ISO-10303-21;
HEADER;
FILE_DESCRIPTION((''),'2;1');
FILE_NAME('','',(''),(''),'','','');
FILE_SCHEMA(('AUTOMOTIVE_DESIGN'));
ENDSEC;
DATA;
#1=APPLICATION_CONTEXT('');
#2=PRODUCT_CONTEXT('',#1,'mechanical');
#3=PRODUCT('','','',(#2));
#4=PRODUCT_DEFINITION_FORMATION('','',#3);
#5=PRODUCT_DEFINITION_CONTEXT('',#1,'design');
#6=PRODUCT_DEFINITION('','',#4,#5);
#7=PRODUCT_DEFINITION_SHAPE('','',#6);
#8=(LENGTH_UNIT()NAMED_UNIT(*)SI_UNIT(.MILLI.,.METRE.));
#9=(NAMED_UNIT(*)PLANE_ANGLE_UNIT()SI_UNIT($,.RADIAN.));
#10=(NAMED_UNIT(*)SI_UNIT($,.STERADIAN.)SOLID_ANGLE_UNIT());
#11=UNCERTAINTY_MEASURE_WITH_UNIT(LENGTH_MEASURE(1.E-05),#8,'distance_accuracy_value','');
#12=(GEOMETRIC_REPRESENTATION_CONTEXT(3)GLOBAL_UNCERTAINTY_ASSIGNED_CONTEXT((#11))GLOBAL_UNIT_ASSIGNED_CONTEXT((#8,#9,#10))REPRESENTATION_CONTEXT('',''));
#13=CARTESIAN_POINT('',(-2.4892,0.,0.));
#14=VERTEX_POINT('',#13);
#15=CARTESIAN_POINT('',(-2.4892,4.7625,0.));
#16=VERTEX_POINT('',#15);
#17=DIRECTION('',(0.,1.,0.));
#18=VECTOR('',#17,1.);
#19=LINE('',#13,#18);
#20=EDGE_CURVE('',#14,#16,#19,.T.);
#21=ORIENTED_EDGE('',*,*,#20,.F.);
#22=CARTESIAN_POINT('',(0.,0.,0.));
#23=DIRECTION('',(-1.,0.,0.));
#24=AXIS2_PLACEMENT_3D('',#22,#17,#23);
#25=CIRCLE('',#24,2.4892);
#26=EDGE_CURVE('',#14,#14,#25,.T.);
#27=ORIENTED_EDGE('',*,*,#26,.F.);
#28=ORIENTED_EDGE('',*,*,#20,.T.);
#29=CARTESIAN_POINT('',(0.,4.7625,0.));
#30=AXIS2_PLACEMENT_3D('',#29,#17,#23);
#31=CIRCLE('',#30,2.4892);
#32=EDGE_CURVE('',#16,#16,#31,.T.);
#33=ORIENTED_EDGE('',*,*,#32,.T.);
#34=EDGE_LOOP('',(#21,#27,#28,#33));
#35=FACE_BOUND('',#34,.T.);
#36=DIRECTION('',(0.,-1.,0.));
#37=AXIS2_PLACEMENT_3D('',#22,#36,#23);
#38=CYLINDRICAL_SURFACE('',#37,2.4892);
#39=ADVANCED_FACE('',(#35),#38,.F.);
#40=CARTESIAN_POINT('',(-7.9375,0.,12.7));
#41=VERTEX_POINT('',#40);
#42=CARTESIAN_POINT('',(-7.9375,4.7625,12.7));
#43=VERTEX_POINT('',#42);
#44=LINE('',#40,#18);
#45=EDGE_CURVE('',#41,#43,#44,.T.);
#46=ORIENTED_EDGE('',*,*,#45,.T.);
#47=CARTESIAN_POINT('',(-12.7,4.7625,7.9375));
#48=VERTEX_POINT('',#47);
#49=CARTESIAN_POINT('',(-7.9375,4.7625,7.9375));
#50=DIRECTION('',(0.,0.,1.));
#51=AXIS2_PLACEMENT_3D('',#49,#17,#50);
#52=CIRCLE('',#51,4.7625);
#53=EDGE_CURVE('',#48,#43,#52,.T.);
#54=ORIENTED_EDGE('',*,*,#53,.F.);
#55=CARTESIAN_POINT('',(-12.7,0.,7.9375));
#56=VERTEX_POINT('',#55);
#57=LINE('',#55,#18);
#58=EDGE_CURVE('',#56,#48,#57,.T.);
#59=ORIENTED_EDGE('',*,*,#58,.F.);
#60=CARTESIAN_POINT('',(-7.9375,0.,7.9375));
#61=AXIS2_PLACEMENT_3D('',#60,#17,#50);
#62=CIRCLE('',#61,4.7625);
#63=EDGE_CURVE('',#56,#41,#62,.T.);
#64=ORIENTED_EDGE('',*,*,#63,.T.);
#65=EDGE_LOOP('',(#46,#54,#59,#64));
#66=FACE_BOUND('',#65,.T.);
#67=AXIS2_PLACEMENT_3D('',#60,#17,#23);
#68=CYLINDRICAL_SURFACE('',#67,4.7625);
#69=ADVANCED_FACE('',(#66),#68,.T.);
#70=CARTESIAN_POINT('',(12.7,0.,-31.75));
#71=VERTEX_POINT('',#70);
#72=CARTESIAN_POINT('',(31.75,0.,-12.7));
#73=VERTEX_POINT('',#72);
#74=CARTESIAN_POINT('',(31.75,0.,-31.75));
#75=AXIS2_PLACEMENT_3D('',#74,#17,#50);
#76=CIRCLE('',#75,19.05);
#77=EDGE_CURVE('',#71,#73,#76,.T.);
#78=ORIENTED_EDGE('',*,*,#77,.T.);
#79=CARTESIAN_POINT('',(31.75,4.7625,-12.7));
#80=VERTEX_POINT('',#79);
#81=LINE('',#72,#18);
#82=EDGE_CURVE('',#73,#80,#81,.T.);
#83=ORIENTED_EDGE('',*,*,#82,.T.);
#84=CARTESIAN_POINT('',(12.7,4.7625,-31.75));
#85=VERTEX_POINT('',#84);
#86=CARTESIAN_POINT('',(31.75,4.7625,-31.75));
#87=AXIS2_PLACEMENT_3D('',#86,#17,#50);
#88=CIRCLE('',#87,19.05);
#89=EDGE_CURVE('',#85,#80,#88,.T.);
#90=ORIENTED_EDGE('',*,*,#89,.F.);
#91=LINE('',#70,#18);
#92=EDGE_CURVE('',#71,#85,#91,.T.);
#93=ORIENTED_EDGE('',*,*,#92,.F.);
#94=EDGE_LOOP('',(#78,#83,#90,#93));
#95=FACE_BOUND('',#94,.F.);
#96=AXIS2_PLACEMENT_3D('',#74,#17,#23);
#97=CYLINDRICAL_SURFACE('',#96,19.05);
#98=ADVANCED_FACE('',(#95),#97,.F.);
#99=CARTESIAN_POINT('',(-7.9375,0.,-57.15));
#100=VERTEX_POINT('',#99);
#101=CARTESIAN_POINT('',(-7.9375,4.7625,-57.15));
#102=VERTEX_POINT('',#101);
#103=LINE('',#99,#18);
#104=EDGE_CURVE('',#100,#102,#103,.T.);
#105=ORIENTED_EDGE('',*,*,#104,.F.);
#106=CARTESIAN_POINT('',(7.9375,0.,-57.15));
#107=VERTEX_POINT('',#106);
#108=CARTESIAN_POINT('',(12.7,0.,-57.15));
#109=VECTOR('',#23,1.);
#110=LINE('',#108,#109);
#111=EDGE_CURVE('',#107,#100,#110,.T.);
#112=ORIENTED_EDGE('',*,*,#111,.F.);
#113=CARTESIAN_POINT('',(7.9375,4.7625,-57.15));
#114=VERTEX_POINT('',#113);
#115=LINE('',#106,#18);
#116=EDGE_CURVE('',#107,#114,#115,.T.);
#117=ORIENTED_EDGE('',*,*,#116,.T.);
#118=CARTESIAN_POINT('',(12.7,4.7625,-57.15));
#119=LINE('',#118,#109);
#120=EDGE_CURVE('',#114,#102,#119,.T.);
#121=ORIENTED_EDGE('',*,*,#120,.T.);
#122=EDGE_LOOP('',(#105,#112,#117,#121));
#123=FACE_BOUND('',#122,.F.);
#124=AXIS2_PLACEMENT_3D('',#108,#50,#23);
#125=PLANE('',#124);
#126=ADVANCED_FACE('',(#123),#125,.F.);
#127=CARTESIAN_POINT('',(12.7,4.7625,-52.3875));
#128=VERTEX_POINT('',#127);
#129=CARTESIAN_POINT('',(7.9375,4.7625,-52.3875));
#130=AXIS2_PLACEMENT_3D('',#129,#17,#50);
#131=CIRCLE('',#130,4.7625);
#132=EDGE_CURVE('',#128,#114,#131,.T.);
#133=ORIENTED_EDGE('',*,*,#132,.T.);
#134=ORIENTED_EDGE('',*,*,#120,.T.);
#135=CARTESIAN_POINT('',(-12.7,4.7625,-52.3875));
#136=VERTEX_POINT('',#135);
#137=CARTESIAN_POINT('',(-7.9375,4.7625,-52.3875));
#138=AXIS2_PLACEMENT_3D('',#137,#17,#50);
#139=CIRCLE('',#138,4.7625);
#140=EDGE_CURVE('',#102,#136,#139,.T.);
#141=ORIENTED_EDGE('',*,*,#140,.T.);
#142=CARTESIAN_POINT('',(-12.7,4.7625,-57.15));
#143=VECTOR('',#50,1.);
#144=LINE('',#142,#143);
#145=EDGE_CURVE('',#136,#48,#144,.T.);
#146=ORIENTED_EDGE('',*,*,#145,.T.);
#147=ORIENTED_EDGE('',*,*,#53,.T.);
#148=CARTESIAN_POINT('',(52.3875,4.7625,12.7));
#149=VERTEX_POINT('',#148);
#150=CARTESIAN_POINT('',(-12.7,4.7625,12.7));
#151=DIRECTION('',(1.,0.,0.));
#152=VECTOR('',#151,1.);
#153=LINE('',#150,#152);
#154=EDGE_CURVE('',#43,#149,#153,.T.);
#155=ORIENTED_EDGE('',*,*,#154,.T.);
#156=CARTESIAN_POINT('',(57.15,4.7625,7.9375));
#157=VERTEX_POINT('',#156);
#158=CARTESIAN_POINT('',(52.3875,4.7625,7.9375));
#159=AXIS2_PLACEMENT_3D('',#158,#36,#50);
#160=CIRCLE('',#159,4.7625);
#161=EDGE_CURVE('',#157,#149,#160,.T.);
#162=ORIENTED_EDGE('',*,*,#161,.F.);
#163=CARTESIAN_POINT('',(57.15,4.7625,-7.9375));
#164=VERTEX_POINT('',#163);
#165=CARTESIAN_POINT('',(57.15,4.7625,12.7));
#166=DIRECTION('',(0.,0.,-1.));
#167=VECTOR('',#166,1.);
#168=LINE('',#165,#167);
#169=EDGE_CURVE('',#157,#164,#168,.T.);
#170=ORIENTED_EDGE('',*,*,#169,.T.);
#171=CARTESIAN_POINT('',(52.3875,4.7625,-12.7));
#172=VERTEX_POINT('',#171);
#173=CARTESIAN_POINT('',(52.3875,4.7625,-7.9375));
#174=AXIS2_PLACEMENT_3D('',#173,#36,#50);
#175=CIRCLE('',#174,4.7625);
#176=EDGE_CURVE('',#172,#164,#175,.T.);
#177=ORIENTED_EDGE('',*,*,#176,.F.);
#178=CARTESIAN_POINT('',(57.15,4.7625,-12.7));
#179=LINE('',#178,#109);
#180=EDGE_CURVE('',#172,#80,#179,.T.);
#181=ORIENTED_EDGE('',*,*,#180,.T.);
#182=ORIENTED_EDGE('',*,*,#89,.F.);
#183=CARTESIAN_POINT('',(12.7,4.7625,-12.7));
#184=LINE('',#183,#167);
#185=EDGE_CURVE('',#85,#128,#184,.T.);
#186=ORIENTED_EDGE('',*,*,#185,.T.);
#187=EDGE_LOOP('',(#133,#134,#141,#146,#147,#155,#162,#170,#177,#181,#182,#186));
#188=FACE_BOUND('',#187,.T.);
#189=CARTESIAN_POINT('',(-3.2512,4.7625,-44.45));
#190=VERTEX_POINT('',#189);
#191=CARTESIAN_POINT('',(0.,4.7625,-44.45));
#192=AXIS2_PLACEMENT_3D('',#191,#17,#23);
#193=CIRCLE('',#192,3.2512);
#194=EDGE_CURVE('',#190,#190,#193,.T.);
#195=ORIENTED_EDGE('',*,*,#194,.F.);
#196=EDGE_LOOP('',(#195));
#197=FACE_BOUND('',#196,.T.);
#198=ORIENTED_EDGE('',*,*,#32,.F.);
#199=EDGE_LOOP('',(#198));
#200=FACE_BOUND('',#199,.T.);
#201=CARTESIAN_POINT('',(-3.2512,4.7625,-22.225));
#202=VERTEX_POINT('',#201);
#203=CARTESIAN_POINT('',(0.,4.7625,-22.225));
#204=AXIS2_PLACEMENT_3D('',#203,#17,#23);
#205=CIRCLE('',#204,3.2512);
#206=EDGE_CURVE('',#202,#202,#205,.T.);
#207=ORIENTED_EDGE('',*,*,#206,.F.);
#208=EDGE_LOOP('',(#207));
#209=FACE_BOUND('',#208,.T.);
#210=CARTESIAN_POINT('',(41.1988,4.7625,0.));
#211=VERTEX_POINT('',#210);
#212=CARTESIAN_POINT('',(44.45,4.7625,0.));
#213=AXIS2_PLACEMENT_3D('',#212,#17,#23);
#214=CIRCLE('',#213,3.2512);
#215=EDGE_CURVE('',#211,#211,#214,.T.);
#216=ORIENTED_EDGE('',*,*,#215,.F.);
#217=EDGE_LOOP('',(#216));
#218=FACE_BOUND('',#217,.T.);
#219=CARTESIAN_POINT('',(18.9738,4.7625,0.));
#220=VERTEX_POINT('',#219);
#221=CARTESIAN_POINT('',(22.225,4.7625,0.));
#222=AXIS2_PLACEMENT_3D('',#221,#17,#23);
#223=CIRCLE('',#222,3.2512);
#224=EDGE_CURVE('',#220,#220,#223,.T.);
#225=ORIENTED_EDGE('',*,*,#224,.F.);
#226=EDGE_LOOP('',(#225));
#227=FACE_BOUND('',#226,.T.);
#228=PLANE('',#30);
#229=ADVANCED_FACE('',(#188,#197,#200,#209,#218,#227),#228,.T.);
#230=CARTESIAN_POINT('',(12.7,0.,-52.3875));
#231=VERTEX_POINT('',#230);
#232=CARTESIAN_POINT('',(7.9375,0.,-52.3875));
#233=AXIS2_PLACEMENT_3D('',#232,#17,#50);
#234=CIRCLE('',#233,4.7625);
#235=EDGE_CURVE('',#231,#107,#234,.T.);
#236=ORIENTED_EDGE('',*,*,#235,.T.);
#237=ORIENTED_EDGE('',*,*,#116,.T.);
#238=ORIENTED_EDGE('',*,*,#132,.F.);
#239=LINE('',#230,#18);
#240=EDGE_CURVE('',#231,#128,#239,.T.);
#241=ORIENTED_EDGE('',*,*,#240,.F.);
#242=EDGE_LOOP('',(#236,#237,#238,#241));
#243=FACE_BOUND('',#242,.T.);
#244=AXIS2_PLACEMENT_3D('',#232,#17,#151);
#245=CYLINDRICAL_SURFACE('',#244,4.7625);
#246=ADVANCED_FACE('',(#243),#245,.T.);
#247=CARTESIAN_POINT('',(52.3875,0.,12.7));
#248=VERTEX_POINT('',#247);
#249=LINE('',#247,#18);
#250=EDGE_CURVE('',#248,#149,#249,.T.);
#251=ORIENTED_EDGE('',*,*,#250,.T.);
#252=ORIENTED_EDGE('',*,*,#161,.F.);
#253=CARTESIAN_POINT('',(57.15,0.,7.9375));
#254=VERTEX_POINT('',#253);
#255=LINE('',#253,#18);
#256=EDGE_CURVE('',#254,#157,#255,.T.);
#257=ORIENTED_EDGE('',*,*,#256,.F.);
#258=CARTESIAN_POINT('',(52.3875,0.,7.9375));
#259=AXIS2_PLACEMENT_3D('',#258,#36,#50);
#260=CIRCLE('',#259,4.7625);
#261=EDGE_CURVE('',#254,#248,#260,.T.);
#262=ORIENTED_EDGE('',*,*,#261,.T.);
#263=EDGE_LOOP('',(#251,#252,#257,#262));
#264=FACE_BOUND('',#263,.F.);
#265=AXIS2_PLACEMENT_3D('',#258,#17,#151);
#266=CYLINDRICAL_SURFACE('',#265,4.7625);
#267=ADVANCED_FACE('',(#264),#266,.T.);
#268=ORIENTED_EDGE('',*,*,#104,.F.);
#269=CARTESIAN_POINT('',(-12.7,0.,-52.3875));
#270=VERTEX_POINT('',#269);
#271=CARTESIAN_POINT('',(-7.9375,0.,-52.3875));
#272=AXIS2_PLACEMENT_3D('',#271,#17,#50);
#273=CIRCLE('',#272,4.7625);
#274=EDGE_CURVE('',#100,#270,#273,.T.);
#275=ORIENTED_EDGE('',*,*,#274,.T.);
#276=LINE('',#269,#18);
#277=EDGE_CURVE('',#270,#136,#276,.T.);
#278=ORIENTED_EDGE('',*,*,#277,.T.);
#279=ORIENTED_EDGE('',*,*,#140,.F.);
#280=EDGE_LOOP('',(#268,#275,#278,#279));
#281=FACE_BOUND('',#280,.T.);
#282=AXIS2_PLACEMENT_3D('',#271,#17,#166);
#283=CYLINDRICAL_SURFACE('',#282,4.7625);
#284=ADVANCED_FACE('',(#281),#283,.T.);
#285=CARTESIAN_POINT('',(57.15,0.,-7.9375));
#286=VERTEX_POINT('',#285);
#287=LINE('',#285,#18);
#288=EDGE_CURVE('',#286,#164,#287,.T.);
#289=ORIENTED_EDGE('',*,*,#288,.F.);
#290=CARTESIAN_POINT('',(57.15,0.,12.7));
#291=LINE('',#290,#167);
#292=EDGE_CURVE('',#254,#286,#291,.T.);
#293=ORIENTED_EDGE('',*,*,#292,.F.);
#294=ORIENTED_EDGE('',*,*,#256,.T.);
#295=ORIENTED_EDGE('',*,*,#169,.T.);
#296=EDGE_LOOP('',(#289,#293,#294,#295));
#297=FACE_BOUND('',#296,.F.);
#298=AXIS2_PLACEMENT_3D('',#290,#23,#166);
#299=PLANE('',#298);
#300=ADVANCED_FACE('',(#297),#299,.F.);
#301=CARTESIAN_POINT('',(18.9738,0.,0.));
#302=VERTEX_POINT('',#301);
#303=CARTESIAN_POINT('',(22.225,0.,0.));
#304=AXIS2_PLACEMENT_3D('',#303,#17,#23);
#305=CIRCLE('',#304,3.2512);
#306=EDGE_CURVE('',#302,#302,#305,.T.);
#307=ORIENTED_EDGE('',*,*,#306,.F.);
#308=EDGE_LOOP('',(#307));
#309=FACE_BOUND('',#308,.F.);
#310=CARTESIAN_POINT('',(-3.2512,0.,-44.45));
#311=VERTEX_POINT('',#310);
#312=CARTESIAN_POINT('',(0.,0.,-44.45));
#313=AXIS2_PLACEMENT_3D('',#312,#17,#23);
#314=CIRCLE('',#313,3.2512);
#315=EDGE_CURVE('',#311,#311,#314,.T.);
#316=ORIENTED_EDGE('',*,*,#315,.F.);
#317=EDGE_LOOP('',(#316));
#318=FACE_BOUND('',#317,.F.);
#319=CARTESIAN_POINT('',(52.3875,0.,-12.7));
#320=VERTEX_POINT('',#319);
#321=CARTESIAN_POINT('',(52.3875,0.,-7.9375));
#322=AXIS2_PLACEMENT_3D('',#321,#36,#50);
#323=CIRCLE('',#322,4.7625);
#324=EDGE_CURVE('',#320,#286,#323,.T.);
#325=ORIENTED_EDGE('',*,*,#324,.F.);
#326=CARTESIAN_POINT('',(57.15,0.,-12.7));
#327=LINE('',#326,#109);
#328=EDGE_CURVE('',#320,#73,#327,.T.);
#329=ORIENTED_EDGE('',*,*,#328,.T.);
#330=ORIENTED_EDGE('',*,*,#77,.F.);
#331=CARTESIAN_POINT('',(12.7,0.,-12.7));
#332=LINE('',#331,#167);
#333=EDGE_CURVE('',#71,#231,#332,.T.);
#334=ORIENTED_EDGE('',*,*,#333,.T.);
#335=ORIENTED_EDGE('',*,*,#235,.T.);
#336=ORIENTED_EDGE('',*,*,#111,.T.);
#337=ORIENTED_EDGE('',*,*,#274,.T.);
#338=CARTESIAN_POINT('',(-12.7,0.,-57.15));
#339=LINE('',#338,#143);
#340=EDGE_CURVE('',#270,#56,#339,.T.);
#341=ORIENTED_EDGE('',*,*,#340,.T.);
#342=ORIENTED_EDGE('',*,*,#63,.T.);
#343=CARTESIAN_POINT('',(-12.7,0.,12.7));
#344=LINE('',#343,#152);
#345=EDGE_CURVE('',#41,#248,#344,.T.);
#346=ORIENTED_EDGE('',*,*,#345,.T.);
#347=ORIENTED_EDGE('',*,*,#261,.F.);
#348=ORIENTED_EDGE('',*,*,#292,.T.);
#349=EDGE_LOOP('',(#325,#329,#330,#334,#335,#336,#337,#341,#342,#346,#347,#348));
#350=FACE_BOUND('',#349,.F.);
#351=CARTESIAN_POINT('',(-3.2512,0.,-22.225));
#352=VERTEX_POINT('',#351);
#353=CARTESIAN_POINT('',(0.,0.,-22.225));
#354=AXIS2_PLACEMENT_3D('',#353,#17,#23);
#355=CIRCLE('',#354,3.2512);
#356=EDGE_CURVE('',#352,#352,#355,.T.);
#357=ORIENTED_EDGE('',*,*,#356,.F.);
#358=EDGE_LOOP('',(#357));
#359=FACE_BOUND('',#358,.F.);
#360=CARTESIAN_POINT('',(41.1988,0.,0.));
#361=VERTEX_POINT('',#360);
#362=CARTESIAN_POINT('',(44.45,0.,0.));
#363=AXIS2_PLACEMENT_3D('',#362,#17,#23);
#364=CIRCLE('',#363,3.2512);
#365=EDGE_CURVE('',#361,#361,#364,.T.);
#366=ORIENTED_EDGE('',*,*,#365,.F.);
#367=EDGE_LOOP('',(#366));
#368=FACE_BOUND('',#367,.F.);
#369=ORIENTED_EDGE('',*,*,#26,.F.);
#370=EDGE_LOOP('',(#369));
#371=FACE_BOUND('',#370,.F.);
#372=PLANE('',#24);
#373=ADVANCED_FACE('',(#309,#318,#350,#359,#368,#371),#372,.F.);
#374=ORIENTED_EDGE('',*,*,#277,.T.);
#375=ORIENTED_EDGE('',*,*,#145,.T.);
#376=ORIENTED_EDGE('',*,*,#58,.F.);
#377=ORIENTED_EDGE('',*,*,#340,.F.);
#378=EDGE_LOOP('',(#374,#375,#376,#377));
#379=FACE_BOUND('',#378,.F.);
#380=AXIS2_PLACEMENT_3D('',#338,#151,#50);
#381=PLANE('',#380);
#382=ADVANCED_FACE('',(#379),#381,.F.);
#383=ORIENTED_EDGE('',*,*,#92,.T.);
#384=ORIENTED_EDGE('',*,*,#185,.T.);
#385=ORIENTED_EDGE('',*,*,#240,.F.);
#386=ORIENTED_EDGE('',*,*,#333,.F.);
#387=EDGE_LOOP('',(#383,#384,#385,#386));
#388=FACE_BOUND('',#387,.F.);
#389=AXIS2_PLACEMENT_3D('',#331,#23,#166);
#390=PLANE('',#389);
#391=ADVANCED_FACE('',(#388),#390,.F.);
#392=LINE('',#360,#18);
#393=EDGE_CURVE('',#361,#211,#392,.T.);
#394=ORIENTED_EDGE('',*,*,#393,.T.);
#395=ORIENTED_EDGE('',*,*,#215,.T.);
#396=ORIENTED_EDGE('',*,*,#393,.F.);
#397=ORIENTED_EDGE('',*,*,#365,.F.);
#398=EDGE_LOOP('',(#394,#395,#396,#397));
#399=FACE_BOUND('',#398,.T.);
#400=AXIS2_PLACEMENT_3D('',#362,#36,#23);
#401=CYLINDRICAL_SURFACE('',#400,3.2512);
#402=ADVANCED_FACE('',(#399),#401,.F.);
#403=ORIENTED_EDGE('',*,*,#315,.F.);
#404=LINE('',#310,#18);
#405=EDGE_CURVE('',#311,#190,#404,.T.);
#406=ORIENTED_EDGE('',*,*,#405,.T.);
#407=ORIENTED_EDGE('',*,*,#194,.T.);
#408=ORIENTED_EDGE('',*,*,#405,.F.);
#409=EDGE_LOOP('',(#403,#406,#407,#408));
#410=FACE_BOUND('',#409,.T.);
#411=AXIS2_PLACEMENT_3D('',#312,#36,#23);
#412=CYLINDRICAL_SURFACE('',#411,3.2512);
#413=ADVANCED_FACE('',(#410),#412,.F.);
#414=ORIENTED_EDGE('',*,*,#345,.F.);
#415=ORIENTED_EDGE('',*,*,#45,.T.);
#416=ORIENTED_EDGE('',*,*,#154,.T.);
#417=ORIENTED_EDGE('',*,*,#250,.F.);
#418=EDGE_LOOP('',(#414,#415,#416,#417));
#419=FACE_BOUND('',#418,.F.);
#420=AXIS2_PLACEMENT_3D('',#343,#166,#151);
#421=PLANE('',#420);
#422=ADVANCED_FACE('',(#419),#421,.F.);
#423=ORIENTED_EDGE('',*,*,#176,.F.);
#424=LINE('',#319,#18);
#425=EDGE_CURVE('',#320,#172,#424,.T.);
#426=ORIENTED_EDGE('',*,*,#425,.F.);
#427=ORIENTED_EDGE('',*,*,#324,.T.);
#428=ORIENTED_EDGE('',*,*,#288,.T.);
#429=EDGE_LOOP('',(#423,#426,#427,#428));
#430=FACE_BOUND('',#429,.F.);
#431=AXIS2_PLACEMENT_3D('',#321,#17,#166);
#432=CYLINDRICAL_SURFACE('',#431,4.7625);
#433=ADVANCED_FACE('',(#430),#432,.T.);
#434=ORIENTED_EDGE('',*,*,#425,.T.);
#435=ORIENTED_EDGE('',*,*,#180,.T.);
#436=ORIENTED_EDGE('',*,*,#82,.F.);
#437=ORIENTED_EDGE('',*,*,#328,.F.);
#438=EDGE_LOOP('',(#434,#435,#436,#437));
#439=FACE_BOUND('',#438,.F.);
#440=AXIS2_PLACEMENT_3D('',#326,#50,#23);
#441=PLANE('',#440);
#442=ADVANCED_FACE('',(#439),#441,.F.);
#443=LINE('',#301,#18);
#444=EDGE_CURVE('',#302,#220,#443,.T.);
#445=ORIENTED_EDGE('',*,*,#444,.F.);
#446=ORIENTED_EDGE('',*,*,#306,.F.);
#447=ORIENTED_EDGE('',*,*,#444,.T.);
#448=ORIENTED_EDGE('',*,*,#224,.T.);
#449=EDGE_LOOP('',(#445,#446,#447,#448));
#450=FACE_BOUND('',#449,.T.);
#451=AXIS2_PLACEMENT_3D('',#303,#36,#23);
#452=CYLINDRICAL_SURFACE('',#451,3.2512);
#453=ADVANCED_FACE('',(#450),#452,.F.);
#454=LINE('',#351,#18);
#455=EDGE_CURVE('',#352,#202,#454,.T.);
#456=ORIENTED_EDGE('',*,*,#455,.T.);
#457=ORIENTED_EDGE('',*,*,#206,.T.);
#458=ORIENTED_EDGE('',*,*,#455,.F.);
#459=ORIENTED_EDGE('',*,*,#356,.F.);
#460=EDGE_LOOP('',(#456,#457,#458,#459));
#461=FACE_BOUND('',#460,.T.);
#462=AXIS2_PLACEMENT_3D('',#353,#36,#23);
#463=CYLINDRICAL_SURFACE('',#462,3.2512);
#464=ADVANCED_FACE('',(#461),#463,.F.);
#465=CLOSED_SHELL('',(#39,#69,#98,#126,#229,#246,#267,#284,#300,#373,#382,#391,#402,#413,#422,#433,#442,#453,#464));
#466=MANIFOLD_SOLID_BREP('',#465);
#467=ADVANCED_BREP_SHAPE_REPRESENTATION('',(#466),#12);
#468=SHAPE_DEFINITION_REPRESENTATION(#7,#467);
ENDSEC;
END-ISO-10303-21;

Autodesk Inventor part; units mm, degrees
ref_plane "YZ Plane" through (0, 0, 0) normal (1, 0, 0) x (0, 1, 0)
ref_plane "XZ Plane" through (0, 0, 0) normal (0, 1, 0) x (-1, 0, 0)
ref_plane "XY Plane" through (0, 0, 0) normal (0, 0, 1) x (1, 0, 0)
sketch "Sketch1" plane through (0, 0, 0) normal (0, 1, 0) x (-1, 0, 0)
  circle A0 centre (0, 0) radius 2.4892
  circle A1 centre (0, -22.225) radius 3.2512
  circle A2 centre (0, -44.45) radius 3.2512
  circle A3 centre (-22.225, 0) radius 3.2512
  circle A4 centre (-44.45, 0) radius 3.2512
  line L0 (12.7, 12.7) -> (-57.15, 12.7)
  line L1 (-57.15, 12.7) -> (-57.15, -12.7)
  line L2 (-57.15, -12.7) -> (-12.7, -12.7)
  line L3 (-12.7, -12.7) -> (-12.7, -57.15)
  line L4 (-12.7, -57.15) -> (12.7, -57.15)
  line L5 (12.7, -57.15) -> (12.7, 12.7)
  dimension "d0" = 4.9784
  dimension "d1" = 6.5024
  dimension "d2" = 22.225
  dimension "d3" = 22.225
  dimension "d4" = 22.225
  dimension "d5" = 22.225
  dimension "d6" = 12.7
  dimension "d7" = 12.7
  dimension "d8" = 12.7
  dimension "d9" = 12.7
  dimension "d10" = 12.7
  dimension "d11" = 12.7
extrude "Extrusion1" add sketch "Sketch1" along normal blind 4.7625
fillet "Fillet1" radius 19.05 1 edges at (12.7, 2.3813, -12.7)
fillet "Fillet2" radius 4.7625 5 edges at (57.15, 2.3813, -12.7) (57.15, 2.3813, 12.7) (12.7, 2.3813, -57.15) (-12.7, 2.3813, -57.15) (-12.7, 2.3813, 12.7)
properties part number "STRU_016_FrameBracket2_90" material "Aluminum 6061"
